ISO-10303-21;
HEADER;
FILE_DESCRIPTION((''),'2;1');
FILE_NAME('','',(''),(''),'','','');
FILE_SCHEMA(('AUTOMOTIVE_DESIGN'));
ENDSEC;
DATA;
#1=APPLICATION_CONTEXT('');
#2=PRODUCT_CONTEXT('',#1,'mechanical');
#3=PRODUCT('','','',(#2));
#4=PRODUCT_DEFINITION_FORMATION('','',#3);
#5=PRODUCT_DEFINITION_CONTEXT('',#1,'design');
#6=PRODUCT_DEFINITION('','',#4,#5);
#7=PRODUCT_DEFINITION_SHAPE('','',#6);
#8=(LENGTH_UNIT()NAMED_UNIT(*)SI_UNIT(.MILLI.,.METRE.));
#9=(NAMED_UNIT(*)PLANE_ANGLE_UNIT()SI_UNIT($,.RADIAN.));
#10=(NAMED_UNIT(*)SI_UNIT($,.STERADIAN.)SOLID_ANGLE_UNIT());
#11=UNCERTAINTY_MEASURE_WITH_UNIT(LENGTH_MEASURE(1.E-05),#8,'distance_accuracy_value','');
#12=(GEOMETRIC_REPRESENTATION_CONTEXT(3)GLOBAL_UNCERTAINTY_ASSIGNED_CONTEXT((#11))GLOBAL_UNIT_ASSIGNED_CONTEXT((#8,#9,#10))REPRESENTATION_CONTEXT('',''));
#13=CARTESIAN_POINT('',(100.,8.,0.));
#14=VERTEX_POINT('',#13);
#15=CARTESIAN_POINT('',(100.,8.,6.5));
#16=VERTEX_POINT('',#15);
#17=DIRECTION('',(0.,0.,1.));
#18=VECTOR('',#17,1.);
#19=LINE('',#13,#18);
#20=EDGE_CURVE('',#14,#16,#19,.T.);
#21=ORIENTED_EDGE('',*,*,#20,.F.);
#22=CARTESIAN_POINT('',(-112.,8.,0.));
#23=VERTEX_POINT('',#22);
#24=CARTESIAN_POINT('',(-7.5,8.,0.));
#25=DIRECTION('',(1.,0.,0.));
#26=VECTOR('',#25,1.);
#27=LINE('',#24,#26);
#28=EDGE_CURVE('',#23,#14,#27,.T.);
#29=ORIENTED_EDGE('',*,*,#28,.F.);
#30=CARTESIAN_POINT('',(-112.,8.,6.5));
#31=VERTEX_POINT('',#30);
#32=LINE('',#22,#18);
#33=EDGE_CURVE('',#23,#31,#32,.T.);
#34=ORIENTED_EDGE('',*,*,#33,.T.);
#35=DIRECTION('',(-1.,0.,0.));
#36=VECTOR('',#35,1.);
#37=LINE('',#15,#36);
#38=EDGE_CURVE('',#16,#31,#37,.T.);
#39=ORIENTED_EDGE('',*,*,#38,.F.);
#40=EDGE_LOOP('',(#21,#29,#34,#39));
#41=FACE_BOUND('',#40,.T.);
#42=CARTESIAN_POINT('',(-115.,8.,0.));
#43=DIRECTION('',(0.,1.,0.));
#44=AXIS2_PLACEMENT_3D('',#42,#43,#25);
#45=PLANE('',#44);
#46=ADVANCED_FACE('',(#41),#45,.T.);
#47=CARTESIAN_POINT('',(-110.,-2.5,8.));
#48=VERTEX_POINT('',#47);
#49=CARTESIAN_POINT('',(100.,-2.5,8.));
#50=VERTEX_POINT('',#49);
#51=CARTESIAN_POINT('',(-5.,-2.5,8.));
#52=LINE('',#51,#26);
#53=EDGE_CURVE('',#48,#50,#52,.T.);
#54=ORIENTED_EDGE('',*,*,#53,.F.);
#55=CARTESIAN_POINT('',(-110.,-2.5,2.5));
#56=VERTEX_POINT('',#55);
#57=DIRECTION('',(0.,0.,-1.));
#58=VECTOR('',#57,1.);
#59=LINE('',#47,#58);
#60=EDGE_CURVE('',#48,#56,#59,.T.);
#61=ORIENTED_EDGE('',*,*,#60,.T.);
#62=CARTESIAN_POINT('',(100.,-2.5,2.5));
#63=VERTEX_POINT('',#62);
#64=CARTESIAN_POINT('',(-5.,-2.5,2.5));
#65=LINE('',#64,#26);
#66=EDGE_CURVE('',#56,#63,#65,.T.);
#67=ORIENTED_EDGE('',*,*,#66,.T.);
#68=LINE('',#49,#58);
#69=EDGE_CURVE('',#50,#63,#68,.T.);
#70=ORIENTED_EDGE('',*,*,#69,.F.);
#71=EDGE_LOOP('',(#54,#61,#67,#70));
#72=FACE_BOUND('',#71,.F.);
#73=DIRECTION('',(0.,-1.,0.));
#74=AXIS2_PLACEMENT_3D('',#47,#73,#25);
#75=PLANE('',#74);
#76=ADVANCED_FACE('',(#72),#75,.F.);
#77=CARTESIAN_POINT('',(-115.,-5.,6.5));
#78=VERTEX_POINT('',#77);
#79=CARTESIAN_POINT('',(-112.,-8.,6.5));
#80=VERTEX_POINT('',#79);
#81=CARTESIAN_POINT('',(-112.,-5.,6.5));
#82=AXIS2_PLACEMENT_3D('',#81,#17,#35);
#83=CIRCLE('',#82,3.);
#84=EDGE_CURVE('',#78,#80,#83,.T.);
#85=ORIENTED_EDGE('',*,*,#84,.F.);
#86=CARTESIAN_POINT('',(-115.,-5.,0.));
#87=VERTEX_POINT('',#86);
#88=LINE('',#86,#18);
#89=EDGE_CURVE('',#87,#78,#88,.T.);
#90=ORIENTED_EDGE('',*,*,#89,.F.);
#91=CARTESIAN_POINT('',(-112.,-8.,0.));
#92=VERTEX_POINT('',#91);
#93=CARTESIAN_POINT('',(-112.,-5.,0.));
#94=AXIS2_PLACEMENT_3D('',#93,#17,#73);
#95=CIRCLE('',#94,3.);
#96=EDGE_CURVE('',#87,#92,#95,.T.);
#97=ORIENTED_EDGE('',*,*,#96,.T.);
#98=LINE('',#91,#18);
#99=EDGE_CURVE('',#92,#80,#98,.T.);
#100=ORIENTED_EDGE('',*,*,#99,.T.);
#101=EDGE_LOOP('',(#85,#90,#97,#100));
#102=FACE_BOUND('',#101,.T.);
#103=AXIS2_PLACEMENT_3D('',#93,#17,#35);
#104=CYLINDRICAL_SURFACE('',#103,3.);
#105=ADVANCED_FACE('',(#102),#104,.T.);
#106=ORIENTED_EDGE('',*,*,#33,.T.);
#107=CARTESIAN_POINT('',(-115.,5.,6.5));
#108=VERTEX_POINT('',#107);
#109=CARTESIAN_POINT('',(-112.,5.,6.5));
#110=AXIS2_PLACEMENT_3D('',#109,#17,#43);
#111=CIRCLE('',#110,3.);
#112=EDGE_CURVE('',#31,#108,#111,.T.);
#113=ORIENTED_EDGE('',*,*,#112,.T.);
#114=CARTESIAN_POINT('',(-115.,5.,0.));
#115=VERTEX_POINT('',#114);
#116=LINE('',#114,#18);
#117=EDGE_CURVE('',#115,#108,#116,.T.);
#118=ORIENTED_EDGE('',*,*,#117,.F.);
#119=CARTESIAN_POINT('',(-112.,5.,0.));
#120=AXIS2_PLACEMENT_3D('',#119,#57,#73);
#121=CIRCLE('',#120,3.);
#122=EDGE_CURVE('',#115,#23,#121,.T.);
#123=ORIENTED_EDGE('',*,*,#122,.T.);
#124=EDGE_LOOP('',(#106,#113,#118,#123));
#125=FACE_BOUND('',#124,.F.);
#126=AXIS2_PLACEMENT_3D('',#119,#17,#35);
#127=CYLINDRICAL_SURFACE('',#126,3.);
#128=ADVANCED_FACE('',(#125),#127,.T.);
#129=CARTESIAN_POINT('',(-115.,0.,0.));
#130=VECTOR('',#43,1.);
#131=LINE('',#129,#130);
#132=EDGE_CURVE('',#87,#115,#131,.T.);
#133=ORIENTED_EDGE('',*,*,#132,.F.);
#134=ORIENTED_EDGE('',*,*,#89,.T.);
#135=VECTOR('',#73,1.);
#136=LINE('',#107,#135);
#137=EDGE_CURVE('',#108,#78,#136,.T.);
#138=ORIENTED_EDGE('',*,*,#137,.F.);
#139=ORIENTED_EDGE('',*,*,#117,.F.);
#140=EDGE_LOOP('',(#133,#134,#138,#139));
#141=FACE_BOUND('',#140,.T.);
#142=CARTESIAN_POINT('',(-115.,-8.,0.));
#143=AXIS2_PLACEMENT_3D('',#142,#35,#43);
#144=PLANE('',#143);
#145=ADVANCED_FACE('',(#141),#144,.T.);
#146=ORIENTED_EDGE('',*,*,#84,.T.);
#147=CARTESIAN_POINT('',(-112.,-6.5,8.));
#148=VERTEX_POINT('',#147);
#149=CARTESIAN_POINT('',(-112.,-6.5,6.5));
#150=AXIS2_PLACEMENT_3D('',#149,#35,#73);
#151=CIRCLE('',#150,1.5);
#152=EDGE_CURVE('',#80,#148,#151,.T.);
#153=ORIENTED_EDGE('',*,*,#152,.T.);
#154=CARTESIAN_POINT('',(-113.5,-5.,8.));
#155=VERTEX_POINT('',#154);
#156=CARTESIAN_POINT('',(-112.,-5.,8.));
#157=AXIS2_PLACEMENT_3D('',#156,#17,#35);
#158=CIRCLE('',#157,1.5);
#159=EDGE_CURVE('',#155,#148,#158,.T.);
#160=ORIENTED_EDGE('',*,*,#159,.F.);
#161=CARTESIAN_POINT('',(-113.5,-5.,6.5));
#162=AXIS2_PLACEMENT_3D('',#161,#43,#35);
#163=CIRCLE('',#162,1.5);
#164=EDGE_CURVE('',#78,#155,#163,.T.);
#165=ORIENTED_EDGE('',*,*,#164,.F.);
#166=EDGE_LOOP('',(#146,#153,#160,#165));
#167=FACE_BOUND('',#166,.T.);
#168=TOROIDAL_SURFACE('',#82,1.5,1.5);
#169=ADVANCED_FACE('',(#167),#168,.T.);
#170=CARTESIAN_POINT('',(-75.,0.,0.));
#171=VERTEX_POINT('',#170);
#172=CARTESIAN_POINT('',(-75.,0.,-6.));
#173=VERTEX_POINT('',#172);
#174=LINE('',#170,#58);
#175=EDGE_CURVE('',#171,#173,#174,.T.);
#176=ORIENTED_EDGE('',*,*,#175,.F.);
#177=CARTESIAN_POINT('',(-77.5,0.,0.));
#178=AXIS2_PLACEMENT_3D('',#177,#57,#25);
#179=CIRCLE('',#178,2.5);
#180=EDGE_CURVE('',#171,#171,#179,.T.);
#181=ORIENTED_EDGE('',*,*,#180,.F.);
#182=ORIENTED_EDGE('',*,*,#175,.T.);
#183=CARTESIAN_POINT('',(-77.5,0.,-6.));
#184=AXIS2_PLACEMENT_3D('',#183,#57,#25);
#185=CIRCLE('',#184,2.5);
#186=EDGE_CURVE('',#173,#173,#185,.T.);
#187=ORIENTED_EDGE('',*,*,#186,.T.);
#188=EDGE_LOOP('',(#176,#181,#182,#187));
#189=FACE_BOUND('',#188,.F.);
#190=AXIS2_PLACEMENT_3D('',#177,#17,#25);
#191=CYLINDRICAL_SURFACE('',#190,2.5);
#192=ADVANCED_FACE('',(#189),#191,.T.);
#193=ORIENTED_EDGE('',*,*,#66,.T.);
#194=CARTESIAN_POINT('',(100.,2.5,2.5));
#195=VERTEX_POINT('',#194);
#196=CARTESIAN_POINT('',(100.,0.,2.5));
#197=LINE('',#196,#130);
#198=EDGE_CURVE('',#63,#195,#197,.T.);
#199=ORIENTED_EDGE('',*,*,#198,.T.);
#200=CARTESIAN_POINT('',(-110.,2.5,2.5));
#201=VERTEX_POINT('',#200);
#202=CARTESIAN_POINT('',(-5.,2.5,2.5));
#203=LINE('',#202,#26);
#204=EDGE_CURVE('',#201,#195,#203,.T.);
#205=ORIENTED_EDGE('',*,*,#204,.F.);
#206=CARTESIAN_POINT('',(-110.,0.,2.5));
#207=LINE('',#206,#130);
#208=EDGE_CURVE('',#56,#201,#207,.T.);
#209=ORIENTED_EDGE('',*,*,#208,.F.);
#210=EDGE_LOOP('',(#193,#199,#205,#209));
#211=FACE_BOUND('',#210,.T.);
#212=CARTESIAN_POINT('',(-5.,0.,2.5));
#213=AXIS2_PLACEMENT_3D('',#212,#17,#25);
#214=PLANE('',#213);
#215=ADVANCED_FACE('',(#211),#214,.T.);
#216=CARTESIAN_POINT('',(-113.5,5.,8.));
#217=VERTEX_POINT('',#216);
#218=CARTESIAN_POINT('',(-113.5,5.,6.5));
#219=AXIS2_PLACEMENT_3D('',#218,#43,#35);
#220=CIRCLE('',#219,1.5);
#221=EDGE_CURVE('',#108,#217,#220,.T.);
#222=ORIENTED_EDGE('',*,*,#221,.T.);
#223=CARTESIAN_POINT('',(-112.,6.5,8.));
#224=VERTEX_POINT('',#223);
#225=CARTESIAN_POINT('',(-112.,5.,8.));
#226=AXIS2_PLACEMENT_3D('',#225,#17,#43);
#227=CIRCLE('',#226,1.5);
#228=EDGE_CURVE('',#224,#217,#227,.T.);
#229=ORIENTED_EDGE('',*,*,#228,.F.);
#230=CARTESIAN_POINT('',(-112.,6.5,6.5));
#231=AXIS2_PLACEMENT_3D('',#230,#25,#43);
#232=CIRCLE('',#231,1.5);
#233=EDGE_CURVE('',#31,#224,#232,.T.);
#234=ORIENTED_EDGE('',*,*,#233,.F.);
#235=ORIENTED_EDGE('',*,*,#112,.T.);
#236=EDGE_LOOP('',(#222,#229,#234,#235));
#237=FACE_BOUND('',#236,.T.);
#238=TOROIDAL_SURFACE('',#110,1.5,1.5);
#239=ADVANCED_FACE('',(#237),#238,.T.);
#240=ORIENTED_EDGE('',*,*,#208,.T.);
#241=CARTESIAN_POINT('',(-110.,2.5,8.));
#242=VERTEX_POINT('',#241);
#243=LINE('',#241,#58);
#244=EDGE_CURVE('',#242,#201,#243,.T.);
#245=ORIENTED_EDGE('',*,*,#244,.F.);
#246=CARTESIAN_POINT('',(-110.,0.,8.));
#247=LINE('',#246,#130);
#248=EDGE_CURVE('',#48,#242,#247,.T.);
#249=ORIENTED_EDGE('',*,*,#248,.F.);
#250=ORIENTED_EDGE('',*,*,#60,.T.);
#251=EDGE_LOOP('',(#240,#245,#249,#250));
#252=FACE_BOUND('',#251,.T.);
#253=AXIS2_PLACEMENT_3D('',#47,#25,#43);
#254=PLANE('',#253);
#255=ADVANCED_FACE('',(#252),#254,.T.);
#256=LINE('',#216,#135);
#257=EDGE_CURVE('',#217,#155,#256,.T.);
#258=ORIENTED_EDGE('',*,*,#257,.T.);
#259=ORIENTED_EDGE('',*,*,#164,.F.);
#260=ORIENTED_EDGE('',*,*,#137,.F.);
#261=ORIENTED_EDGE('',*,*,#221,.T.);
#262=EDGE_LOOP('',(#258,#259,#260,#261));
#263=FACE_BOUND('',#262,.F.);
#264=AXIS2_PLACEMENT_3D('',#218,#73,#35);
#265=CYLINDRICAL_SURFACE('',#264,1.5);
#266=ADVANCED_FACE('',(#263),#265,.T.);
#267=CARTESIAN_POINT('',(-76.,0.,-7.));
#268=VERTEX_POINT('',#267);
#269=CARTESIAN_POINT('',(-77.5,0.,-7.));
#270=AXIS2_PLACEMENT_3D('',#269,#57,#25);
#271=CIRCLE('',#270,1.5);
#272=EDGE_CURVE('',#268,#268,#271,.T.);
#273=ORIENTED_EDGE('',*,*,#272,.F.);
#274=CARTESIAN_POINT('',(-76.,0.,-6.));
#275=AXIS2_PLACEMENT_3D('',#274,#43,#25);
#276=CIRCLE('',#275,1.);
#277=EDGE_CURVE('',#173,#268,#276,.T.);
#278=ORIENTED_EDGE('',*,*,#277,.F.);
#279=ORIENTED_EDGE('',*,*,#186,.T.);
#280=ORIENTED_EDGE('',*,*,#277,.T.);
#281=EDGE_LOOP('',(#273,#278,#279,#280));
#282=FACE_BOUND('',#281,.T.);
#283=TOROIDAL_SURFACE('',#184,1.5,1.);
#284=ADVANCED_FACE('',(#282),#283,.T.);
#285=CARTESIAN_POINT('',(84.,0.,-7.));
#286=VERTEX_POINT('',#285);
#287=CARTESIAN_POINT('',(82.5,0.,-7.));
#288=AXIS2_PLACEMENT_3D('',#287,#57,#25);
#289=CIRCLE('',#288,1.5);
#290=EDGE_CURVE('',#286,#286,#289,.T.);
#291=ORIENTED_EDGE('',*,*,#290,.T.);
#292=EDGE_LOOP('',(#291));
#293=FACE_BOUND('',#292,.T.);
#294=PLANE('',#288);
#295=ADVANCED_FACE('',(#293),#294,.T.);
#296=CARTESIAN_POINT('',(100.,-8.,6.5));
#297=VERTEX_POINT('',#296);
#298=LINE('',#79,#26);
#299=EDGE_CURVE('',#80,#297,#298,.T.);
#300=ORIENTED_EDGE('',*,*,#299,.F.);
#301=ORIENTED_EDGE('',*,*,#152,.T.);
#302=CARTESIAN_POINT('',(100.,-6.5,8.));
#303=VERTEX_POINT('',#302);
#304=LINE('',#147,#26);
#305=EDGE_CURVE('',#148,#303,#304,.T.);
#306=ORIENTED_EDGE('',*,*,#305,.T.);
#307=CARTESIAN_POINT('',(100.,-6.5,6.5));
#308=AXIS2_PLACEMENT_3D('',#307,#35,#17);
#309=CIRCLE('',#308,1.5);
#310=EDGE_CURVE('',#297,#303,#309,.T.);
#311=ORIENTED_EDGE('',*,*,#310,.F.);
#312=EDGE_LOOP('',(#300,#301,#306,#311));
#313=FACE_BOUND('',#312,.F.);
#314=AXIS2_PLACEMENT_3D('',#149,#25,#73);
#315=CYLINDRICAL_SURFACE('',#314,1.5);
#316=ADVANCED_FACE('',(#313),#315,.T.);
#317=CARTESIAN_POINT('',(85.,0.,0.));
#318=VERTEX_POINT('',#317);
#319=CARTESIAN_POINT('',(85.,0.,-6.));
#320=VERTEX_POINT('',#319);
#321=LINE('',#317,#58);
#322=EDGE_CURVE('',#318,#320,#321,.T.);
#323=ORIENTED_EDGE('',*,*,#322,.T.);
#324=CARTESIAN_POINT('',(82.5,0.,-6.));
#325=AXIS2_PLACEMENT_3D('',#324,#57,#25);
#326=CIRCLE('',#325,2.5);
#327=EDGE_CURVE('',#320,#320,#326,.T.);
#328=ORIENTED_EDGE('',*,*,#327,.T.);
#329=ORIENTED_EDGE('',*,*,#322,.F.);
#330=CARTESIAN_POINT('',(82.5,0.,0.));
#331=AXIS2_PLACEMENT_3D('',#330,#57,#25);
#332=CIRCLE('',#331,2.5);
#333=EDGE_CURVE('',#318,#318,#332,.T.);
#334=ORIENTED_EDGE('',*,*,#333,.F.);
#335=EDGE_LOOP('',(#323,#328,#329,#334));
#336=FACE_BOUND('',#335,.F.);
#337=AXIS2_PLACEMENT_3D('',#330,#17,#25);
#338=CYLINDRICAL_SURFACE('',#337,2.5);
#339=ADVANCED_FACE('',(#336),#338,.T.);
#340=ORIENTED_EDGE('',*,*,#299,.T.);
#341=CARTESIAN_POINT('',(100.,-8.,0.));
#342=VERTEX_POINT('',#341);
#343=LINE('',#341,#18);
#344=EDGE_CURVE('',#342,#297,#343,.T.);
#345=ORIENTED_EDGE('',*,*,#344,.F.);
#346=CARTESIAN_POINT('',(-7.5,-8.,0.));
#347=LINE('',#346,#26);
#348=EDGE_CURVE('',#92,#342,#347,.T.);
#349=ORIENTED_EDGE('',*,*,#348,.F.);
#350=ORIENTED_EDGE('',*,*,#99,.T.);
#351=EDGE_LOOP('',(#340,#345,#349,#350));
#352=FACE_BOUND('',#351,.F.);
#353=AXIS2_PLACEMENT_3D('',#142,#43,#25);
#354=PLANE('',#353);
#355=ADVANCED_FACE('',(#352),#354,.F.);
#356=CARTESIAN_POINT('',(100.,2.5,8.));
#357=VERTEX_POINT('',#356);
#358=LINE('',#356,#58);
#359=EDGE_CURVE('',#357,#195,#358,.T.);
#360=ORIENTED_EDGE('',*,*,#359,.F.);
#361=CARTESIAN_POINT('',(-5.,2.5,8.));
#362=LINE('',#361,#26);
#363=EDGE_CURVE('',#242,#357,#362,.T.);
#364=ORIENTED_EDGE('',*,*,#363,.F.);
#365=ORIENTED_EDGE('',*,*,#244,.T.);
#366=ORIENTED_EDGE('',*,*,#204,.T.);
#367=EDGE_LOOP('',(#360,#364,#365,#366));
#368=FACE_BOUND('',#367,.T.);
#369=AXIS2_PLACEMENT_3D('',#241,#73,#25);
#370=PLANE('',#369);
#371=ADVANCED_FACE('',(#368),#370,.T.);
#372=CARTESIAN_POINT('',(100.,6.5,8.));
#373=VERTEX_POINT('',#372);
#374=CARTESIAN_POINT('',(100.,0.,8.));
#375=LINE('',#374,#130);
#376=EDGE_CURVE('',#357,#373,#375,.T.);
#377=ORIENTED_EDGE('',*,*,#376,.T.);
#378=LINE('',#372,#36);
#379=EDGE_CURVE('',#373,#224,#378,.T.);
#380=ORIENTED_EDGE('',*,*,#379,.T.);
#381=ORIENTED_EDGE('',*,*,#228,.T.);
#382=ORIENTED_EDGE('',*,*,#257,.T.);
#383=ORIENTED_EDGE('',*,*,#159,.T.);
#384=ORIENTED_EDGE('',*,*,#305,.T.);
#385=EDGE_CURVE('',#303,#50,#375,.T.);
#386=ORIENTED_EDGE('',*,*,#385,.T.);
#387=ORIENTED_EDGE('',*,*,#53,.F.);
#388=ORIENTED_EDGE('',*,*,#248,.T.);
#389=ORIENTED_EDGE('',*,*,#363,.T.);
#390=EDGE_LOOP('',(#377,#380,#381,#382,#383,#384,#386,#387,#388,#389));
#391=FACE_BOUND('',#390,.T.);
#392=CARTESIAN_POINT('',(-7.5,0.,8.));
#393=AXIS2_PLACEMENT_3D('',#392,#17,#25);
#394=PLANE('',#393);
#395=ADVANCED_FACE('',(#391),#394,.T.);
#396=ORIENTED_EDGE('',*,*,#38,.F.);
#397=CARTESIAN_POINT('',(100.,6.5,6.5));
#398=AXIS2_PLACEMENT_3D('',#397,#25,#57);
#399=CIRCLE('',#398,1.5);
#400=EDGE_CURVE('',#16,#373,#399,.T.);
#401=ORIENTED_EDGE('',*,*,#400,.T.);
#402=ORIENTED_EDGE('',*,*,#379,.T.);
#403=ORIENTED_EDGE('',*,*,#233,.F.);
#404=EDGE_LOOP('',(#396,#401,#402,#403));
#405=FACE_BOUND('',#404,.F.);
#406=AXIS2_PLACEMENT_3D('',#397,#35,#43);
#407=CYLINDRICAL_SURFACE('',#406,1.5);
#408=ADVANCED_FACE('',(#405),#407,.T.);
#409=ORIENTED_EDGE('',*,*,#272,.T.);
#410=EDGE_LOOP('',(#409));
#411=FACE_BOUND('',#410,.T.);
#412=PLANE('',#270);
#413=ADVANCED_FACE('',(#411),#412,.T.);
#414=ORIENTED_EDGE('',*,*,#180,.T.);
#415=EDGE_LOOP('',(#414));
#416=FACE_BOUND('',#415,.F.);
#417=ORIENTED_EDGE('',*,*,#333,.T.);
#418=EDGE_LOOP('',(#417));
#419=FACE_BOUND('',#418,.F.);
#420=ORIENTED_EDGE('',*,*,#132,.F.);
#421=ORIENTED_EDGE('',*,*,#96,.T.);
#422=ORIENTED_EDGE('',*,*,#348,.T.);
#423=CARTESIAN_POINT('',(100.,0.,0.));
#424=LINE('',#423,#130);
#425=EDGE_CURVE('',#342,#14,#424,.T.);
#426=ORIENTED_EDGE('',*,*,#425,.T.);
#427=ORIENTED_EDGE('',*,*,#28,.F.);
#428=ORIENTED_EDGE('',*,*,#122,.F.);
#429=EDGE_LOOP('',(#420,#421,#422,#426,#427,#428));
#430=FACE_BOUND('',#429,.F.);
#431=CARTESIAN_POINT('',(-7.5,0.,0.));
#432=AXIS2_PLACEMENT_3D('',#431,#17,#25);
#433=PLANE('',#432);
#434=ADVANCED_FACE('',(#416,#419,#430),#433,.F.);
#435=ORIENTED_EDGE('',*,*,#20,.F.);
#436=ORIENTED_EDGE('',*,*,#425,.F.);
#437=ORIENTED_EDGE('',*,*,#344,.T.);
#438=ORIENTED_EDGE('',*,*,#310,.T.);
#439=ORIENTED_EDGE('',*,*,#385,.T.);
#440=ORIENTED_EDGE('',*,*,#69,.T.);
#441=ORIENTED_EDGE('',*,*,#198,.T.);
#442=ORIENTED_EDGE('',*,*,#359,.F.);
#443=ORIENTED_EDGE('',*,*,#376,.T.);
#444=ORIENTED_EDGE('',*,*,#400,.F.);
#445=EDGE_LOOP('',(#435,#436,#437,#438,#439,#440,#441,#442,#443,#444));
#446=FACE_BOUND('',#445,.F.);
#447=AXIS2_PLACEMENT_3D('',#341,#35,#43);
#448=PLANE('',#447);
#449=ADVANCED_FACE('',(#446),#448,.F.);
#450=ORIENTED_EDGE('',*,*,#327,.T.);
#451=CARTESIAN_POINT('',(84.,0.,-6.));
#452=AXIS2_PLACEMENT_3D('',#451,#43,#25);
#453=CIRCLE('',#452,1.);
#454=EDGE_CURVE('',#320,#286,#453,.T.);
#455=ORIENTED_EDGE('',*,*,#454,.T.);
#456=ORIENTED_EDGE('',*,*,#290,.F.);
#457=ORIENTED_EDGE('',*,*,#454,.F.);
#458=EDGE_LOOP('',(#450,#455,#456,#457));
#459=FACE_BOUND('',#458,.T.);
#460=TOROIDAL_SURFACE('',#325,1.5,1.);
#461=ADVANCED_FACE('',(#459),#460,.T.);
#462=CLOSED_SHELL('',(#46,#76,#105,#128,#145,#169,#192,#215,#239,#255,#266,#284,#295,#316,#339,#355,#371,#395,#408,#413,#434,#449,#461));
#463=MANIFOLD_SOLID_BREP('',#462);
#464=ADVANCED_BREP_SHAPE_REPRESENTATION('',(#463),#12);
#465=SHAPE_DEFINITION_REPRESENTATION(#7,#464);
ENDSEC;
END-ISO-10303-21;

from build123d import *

# Parameters (mm, degrees)
F0_W     = 215
F0_H     = 16
F1_DEPTH = 8
F2_R     = 2.5
F3_DEPTH = 7
F4_R     = 3
F5_R     = 1
F6_R     = 1.5
F7_W     = 210
F7_H     = 5
F8_DEPTH = 5.5


with BuildPart() as f1:
    # F0 (on Top) → F1 (new body)
    with BuildSketch(Plane.XY):
        with Locations((-7.5, 0)):
            Rectangle(F0_W, F0_H)
    extrude(amount=F1_DEPTH)

    # F2 (on face) → F3 (join)
    with BuildSketch(Plane(origin=(0, 0, 0), x_dir=(1, 0, 0), z_dir=(0, 0, -1))):
        with Locations((-77.5, 0)):
            Circle(F2_R)
        with Locations((82.5, 0)):
            Circle(F2_R)
    extrude(amount=F3_DEPTH)

    # F4
    f4_edges = [f1.edges().sort_by_distance(p)[0] for p in [
        (-115, -8, 4),
        (-115, 8, 4),
    ]]
    fillet(f4_edges, radius=F4_R)

    # F5
    f5_edges = [f1.edges().sort_by_distance(p)[0] for p in [
        (-80, 0, -7),
        (80, 0, -7),
    ]]
    fillet(f5_edges, radius=F5_R)

    # F6
    f6_edges = [f1.edges().sort_by_distance(p)[0] for p in [
        (-6, -8, 8),
    ]]
    fillet(f6_edges, radius=F6_R)

    # F7 (on face) → F8 (cut)
    with BuildSketch(Plane.XY.offset(8)):
        with Locations((-5, 0)):
            Rectangle(F7_W, F7_H)
    extrude(amount=-F8_DEPTH, mode=Mode.SUBTRACT)


solid = f1.part
